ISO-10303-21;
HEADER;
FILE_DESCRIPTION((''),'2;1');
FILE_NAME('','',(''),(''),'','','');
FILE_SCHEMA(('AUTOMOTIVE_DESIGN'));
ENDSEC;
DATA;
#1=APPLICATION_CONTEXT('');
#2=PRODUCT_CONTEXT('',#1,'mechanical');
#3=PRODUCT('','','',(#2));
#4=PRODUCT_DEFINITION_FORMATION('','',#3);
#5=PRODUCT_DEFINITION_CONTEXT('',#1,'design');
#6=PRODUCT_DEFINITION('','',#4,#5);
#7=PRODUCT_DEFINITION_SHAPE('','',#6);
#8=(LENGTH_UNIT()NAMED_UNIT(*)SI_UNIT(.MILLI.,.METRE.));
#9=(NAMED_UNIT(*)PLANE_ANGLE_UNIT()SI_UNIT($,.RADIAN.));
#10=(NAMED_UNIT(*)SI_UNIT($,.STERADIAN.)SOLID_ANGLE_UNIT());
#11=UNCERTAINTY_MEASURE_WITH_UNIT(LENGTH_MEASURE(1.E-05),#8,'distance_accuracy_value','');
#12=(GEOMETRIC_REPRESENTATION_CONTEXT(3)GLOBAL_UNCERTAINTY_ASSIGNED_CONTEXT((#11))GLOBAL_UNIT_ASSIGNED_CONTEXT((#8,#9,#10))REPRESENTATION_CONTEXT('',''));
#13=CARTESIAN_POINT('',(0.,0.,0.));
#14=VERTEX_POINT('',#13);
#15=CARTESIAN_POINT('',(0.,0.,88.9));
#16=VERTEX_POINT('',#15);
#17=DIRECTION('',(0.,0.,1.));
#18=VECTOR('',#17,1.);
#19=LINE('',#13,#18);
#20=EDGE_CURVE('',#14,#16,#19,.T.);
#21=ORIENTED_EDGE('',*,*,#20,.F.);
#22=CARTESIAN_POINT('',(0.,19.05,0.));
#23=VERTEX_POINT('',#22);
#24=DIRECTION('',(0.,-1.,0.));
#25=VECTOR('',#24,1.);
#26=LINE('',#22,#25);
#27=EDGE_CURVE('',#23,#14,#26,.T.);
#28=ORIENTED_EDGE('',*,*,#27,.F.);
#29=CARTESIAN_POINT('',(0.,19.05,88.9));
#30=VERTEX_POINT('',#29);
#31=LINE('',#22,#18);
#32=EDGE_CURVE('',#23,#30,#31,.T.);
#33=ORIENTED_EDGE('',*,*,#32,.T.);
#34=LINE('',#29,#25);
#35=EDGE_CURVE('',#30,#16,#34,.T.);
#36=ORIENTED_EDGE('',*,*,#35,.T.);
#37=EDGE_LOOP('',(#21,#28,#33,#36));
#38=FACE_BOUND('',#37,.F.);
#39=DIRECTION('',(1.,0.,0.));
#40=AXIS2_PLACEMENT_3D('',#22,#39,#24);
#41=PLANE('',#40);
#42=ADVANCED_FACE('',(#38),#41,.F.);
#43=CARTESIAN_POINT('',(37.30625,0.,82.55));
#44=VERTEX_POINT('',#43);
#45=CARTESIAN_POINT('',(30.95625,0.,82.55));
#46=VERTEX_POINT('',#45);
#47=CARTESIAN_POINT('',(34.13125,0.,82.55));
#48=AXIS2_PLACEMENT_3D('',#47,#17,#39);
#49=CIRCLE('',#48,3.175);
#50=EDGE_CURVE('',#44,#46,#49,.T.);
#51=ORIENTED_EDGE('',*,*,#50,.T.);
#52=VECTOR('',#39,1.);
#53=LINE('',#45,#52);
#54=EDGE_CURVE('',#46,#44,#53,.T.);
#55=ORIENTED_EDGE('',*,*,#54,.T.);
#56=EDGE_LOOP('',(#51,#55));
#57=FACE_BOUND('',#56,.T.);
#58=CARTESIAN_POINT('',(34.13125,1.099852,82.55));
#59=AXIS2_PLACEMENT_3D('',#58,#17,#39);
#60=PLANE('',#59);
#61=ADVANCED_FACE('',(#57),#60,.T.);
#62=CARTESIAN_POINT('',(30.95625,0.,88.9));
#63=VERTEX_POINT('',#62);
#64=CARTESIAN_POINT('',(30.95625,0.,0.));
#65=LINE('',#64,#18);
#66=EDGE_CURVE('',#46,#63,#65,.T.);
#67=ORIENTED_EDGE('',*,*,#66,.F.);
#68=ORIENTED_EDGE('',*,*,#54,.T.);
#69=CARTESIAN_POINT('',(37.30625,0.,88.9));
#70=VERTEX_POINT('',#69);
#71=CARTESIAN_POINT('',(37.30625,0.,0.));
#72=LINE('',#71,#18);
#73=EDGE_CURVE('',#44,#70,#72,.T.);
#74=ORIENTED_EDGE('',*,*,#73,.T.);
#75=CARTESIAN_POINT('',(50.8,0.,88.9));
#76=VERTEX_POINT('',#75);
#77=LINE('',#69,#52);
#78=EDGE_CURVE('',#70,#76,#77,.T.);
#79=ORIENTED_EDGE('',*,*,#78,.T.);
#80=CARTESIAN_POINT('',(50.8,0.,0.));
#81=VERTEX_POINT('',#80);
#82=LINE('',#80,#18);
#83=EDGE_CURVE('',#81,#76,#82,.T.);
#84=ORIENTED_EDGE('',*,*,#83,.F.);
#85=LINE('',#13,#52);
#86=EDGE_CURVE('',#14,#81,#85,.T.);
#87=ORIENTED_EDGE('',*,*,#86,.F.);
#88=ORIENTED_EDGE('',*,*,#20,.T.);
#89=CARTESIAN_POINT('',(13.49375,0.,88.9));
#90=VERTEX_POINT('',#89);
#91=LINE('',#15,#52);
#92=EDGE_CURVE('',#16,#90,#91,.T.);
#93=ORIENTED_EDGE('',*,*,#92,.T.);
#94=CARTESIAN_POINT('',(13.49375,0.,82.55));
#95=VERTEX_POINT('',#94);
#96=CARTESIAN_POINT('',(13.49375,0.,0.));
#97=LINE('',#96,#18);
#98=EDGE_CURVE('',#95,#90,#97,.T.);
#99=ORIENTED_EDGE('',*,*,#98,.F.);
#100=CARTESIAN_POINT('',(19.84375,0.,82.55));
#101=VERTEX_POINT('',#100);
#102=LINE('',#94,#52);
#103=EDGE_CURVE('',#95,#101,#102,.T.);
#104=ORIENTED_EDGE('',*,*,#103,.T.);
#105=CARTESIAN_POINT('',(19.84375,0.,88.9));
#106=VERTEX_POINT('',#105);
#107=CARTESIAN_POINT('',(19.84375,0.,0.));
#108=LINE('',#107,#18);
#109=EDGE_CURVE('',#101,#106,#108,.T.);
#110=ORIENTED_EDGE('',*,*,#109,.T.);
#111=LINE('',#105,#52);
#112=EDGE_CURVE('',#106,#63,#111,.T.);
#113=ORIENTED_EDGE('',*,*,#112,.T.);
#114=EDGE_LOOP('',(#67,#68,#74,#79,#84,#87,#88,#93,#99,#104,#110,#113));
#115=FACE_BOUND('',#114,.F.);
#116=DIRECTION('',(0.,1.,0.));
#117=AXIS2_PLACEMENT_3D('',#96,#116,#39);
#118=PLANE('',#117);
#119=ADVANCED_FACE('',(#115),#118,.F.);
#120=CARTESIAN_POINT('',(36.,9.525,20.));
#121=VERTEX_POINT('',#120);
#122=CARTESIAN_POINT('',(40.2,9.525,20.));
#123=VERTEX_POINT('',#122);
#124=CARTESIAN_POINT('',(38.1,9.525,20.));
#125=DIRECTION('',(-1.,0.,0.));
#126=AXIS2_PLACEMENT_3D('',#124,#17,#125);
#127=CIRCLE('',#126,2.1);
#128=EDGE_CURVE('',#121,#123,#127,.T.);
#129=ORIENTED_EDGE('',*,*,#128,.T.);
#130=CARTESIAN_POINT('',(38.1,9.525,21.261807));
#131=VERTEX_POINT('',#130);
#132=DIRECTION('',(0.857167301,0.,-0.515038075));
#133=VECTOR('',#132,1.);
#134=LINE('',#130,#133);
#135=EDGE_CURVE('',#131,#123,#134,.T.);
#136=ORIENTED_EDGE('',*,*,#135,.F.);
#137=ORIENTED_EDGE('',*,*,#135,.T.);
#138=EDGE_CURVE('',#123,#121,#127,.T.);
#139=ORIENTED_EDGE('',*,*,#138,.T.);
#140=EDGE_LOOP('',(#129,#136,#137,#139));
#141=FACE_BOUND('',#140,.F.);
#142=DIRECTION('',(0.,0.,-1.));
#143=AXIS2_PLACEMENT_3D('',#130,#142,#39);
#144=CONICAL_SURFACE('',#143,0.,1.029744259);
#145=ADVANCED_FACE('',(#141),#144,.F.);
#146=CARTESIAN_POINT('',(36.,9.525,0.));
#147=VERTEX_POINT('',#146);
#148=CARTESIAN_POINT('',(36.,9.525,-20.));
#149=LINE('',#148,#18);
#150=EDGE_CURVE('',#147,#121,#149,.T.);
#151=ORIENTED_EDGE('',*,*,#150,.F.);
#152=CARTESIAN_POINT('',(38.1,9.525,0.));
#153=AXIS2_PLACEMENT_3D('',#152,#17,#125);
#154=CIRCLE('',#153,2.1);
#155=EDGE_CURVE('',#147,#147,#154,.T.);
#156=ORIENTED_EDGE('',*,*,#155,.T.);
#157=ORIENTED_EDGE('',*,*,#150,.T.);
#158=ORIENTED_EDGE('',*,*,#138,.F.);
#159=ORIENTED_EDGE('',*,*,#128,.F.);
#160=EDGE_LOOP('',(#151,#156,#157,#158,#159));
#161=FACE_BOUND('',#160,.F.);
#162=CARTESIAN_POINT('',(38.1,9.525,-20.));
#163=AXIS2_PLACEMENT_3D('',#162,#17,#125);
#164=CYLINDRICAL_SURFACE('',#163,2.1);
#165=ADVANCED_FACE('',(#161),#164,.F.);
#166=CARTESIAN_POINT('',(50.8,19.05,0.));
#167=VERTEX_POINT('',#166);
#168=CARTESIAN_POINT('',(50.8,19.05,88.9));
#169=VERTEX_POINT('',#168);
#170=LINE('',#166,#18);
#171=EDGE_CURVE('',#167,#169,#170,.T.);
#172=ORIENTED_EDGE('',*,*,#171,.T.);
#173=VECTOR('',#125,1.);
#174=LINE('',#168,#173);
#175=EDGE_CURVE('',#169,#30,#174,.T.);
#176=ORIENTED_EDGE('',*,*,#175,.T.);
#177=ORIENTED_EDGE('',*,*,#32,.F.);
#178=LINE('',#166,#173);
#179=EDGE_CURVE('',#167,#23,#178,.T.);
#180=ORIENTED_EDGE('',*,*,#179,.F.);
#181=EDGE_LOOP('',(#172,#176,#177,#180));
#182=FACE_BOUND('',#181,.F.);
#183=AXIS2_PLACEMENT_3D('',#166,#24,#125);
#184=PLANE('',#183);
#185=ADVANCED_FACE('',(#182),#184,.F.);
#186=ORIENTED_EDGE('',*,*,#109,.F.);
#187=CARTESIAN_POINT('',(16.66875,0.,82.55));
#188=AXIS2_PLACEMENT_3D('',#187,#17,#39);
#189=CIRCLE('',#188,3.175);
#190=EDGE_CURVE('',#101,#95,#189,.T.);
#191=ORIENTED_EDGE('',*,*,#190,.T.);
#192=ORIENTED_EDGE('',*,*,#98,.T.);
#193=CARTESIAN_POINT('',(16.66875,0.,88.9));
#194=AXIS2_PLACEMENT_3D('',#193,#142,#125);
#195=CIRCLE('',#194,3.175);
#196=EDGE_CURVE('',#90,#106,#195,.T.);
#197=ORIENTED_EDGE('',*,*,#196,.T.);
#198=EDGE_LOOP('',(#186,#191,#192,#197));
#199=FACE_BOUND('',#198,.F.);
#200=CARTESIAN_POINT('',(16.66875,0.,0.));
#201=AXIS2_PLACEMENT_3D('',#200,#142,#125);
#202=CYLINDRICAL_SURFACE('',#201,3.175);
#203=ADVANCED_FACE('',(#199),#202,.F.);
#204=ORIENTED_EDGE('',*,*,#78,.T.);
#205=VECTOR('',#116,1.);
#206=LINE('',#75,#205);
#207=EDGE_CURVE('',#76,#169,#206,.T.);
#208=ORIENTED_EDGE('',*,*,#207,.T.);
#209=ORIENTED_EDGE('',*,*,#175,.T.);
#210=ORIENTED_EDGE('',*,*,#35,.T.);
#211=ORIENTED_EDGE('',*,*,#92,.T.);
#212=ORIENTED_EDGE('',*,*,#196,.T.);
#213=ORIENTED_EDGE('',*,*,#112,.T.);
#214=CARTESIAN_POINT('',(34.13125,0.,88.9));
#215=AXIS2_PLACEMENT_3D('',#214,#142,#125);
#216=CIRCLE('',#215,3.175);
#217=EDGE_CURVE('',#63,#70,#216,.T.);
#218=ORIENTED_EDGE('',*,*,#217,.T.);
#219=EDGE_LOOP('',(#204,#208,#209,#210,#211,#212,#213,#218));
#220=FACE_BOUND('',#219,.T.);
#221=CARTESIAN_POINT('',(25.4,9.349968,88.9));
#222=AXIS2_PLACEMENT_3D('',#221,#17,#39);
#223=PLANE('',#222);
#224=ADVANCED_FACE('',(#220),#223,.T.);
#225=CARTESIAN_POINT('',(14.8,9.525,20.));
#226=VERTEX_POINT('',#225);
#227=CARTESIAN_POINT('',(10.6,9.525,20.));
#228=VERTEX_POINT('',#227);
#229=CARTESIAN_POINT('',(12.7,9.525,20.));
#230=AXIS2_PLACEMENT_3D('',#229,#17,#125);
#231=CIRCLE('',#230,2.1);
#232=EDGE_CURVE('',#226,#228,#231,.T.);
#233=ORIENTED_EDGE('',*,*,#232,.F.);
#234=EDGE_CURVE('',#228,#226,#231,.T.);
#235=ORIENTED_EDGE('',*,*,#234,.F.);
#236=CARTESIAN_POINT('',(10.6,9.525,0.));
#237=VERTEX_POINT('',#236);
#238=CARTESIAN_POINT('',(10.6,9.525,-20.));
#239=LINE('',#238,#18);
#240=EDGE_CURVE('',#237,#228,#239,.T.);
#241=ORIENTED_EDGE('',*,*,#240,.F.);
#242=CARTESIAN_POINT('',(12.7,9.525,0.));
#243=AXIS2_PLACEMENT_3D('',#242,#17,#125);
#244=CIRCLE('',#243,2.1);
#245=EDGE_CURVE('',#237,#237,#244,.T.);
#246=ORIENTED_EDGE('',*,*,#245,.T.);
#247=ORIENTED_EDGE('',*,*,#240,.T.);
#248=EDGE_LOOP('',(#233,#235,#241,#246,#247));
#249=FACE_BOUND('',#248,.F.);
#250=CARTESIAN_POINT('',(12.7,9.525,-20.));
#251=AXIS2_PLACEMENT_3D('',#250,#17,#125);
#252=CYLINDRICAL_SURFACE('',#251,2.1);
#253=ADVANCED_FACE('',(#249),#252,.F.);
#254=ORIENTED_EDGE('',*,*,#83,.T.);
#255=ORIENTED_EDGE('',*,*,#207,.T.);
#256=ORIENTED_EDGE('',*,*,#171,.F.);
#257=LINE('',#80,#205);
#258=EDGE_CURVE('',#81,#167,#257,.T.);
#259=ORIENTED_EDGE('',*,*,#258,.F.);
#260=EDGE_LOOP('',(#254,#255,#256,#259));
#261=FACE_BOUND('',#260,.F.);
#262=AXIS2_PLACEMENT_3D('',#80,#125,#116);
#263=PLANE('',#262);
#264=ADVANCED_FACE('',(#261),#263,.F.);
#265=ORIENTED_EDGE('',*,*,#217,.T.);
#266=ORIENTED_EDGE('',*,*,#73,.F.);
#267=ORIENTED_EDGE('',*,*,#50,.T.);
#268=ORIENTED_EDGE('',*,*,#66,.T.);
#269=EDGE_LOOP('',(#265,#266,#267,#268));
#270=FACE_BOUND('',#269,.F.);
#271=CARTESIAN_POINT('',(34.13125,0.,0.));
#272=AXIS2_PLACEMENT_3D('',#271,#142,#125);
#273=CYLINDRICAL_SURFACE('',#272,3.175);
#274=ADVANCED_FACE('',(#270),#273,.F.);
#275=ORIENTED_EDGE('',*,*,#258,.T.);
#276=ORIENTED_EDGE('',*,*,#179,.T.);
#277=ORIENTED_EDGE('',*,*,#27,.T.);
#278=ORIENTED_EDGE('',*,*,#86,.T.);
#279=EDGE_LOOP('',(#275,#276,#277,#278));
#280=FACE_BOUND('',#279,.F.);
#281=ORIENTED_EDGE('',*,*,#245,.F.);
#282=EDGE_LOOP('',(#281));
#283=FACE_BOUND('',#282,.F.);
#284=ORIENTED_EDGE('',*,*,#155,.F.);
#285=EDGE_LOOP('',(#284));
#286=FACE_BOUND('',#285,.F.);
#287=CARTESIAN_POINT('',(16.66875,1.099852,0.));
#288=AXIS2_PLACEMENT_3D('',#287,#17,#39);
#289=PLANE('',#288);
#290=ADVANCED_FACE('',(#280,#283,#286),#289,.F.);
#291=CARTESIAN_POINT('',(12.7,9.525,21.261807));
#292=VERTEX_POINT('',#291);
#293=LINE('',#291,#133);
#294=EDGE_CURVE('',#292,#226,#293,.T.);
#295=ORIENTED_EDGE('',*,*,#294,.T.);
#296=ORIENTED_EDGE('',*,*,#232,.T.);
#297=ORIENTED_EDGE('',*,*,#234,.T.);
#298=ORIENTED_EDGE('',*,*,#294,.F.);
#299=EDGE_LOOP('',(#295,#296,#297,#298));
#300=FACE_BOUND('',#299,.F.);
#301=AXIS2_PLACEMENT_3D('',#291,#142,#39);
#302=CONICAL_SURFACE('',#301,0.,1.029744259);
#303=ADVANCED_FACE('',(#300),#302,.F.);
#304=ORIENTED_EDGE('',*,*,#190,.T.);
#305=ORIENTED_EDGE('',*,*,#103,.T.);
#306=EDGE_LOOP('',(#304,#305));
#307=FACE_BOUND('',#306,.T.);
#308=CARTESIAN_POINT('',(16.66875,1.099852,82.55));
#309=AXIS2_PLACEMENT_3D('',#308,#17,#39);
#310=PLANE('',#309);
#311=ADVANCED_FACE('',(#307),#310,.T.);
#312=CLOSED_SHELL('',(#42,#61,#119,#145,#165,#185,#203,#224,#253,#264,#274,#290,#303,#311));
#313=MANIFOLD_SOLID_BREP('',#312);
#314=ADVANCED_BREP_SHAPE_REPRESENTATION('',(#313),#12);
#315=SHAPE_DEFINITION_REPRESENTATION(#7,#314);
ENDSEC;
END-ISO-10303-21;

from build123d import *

# Parameters (mm, degrees)
F0_R     = 2.5
F1_DEPTH = 88.9
F2_DEPTH = 82.55
F3_D     = 4.2
F3_DEPTH = 20
F3_TIP   = 1.2618073


with BuildPart() as f1:
    # F0 (on Top) → F1 (new body)
    with BuildSketch(Plane.XY):
        with BuildLine():
            Line((19.84375, 0), (25.4, 0))
            Line((25.4, 0), (30.95625, 0))
            ThreePointArc((30.95625, 0), (34.13125, 3.175), (37.30625, 0))
            Line((37.30625, 0), (50.8, 0))
            Line((50.8, 0), (50.8, 19.05))
            Line((50.8, 19.05), (25.4, 19.05))
            Line((25.4, 19.05), (0, 19.05))
            Line((0, 19.05), (0, 0))
            Line((0, 0), (13.49375, 0))
            ThreePointArc((13.49375, 0), (16.66875, 3.175), (19.84375, 0))
        make_face()
        with Locations((12.7, 9.525)):
            Circle(F0_R, mode=Mode.SUBTRACT)
        with Locations((38.1, 9.525)):
            Circle(F0_R, mode=Mode.SUBTRACT)
        with Locations((12.7, 9.525)):
            Circle(F0_R)
        with Locations((38.1, 9.525)):
            Circle(F0_R)
    extrude(amount=F1_DEPTH)

    # F0 (on Top) → F2 (join)
    with BuildSketch(Plane.XY):
        with BuildLine():
            Line((16.66875, 0), (19.84375, 0))
            ThreePointArc((19.84375, 0), (16.66875, 3.175), (13.49375, 0))
            Line((13.49375, 0), (16.66875, 0))
        make_face()
        with BuildLine():
            ThreePointArc((37.30625, 0), (34.13125, 3.175), (30.95625, 0))
            Line((30.95625, 0), (34.13125, 0))
            Line((34.13125, 0), (37.30625, 0))
        make_face()
    extrude(amount=F2_DEPTH)

    # F3
    with Locations(Plane(origin=(0, 0, 0), x_dir=(1, 0, 0), z_dir=(0, 0, -1))):
        with Locations((12.7, -9.525), (38.1, -9.525)):
            Hole(F3_D / 2, depth=F3_DEPTH)
            with Locations((0, 0, -(F3_DEPTH + F3_TIP / 2))):  # 118° drill point
                Cone(0, F3_D / 2, F3_TIP, mode=Mode.SUBTRACT)


solid = f1.part
